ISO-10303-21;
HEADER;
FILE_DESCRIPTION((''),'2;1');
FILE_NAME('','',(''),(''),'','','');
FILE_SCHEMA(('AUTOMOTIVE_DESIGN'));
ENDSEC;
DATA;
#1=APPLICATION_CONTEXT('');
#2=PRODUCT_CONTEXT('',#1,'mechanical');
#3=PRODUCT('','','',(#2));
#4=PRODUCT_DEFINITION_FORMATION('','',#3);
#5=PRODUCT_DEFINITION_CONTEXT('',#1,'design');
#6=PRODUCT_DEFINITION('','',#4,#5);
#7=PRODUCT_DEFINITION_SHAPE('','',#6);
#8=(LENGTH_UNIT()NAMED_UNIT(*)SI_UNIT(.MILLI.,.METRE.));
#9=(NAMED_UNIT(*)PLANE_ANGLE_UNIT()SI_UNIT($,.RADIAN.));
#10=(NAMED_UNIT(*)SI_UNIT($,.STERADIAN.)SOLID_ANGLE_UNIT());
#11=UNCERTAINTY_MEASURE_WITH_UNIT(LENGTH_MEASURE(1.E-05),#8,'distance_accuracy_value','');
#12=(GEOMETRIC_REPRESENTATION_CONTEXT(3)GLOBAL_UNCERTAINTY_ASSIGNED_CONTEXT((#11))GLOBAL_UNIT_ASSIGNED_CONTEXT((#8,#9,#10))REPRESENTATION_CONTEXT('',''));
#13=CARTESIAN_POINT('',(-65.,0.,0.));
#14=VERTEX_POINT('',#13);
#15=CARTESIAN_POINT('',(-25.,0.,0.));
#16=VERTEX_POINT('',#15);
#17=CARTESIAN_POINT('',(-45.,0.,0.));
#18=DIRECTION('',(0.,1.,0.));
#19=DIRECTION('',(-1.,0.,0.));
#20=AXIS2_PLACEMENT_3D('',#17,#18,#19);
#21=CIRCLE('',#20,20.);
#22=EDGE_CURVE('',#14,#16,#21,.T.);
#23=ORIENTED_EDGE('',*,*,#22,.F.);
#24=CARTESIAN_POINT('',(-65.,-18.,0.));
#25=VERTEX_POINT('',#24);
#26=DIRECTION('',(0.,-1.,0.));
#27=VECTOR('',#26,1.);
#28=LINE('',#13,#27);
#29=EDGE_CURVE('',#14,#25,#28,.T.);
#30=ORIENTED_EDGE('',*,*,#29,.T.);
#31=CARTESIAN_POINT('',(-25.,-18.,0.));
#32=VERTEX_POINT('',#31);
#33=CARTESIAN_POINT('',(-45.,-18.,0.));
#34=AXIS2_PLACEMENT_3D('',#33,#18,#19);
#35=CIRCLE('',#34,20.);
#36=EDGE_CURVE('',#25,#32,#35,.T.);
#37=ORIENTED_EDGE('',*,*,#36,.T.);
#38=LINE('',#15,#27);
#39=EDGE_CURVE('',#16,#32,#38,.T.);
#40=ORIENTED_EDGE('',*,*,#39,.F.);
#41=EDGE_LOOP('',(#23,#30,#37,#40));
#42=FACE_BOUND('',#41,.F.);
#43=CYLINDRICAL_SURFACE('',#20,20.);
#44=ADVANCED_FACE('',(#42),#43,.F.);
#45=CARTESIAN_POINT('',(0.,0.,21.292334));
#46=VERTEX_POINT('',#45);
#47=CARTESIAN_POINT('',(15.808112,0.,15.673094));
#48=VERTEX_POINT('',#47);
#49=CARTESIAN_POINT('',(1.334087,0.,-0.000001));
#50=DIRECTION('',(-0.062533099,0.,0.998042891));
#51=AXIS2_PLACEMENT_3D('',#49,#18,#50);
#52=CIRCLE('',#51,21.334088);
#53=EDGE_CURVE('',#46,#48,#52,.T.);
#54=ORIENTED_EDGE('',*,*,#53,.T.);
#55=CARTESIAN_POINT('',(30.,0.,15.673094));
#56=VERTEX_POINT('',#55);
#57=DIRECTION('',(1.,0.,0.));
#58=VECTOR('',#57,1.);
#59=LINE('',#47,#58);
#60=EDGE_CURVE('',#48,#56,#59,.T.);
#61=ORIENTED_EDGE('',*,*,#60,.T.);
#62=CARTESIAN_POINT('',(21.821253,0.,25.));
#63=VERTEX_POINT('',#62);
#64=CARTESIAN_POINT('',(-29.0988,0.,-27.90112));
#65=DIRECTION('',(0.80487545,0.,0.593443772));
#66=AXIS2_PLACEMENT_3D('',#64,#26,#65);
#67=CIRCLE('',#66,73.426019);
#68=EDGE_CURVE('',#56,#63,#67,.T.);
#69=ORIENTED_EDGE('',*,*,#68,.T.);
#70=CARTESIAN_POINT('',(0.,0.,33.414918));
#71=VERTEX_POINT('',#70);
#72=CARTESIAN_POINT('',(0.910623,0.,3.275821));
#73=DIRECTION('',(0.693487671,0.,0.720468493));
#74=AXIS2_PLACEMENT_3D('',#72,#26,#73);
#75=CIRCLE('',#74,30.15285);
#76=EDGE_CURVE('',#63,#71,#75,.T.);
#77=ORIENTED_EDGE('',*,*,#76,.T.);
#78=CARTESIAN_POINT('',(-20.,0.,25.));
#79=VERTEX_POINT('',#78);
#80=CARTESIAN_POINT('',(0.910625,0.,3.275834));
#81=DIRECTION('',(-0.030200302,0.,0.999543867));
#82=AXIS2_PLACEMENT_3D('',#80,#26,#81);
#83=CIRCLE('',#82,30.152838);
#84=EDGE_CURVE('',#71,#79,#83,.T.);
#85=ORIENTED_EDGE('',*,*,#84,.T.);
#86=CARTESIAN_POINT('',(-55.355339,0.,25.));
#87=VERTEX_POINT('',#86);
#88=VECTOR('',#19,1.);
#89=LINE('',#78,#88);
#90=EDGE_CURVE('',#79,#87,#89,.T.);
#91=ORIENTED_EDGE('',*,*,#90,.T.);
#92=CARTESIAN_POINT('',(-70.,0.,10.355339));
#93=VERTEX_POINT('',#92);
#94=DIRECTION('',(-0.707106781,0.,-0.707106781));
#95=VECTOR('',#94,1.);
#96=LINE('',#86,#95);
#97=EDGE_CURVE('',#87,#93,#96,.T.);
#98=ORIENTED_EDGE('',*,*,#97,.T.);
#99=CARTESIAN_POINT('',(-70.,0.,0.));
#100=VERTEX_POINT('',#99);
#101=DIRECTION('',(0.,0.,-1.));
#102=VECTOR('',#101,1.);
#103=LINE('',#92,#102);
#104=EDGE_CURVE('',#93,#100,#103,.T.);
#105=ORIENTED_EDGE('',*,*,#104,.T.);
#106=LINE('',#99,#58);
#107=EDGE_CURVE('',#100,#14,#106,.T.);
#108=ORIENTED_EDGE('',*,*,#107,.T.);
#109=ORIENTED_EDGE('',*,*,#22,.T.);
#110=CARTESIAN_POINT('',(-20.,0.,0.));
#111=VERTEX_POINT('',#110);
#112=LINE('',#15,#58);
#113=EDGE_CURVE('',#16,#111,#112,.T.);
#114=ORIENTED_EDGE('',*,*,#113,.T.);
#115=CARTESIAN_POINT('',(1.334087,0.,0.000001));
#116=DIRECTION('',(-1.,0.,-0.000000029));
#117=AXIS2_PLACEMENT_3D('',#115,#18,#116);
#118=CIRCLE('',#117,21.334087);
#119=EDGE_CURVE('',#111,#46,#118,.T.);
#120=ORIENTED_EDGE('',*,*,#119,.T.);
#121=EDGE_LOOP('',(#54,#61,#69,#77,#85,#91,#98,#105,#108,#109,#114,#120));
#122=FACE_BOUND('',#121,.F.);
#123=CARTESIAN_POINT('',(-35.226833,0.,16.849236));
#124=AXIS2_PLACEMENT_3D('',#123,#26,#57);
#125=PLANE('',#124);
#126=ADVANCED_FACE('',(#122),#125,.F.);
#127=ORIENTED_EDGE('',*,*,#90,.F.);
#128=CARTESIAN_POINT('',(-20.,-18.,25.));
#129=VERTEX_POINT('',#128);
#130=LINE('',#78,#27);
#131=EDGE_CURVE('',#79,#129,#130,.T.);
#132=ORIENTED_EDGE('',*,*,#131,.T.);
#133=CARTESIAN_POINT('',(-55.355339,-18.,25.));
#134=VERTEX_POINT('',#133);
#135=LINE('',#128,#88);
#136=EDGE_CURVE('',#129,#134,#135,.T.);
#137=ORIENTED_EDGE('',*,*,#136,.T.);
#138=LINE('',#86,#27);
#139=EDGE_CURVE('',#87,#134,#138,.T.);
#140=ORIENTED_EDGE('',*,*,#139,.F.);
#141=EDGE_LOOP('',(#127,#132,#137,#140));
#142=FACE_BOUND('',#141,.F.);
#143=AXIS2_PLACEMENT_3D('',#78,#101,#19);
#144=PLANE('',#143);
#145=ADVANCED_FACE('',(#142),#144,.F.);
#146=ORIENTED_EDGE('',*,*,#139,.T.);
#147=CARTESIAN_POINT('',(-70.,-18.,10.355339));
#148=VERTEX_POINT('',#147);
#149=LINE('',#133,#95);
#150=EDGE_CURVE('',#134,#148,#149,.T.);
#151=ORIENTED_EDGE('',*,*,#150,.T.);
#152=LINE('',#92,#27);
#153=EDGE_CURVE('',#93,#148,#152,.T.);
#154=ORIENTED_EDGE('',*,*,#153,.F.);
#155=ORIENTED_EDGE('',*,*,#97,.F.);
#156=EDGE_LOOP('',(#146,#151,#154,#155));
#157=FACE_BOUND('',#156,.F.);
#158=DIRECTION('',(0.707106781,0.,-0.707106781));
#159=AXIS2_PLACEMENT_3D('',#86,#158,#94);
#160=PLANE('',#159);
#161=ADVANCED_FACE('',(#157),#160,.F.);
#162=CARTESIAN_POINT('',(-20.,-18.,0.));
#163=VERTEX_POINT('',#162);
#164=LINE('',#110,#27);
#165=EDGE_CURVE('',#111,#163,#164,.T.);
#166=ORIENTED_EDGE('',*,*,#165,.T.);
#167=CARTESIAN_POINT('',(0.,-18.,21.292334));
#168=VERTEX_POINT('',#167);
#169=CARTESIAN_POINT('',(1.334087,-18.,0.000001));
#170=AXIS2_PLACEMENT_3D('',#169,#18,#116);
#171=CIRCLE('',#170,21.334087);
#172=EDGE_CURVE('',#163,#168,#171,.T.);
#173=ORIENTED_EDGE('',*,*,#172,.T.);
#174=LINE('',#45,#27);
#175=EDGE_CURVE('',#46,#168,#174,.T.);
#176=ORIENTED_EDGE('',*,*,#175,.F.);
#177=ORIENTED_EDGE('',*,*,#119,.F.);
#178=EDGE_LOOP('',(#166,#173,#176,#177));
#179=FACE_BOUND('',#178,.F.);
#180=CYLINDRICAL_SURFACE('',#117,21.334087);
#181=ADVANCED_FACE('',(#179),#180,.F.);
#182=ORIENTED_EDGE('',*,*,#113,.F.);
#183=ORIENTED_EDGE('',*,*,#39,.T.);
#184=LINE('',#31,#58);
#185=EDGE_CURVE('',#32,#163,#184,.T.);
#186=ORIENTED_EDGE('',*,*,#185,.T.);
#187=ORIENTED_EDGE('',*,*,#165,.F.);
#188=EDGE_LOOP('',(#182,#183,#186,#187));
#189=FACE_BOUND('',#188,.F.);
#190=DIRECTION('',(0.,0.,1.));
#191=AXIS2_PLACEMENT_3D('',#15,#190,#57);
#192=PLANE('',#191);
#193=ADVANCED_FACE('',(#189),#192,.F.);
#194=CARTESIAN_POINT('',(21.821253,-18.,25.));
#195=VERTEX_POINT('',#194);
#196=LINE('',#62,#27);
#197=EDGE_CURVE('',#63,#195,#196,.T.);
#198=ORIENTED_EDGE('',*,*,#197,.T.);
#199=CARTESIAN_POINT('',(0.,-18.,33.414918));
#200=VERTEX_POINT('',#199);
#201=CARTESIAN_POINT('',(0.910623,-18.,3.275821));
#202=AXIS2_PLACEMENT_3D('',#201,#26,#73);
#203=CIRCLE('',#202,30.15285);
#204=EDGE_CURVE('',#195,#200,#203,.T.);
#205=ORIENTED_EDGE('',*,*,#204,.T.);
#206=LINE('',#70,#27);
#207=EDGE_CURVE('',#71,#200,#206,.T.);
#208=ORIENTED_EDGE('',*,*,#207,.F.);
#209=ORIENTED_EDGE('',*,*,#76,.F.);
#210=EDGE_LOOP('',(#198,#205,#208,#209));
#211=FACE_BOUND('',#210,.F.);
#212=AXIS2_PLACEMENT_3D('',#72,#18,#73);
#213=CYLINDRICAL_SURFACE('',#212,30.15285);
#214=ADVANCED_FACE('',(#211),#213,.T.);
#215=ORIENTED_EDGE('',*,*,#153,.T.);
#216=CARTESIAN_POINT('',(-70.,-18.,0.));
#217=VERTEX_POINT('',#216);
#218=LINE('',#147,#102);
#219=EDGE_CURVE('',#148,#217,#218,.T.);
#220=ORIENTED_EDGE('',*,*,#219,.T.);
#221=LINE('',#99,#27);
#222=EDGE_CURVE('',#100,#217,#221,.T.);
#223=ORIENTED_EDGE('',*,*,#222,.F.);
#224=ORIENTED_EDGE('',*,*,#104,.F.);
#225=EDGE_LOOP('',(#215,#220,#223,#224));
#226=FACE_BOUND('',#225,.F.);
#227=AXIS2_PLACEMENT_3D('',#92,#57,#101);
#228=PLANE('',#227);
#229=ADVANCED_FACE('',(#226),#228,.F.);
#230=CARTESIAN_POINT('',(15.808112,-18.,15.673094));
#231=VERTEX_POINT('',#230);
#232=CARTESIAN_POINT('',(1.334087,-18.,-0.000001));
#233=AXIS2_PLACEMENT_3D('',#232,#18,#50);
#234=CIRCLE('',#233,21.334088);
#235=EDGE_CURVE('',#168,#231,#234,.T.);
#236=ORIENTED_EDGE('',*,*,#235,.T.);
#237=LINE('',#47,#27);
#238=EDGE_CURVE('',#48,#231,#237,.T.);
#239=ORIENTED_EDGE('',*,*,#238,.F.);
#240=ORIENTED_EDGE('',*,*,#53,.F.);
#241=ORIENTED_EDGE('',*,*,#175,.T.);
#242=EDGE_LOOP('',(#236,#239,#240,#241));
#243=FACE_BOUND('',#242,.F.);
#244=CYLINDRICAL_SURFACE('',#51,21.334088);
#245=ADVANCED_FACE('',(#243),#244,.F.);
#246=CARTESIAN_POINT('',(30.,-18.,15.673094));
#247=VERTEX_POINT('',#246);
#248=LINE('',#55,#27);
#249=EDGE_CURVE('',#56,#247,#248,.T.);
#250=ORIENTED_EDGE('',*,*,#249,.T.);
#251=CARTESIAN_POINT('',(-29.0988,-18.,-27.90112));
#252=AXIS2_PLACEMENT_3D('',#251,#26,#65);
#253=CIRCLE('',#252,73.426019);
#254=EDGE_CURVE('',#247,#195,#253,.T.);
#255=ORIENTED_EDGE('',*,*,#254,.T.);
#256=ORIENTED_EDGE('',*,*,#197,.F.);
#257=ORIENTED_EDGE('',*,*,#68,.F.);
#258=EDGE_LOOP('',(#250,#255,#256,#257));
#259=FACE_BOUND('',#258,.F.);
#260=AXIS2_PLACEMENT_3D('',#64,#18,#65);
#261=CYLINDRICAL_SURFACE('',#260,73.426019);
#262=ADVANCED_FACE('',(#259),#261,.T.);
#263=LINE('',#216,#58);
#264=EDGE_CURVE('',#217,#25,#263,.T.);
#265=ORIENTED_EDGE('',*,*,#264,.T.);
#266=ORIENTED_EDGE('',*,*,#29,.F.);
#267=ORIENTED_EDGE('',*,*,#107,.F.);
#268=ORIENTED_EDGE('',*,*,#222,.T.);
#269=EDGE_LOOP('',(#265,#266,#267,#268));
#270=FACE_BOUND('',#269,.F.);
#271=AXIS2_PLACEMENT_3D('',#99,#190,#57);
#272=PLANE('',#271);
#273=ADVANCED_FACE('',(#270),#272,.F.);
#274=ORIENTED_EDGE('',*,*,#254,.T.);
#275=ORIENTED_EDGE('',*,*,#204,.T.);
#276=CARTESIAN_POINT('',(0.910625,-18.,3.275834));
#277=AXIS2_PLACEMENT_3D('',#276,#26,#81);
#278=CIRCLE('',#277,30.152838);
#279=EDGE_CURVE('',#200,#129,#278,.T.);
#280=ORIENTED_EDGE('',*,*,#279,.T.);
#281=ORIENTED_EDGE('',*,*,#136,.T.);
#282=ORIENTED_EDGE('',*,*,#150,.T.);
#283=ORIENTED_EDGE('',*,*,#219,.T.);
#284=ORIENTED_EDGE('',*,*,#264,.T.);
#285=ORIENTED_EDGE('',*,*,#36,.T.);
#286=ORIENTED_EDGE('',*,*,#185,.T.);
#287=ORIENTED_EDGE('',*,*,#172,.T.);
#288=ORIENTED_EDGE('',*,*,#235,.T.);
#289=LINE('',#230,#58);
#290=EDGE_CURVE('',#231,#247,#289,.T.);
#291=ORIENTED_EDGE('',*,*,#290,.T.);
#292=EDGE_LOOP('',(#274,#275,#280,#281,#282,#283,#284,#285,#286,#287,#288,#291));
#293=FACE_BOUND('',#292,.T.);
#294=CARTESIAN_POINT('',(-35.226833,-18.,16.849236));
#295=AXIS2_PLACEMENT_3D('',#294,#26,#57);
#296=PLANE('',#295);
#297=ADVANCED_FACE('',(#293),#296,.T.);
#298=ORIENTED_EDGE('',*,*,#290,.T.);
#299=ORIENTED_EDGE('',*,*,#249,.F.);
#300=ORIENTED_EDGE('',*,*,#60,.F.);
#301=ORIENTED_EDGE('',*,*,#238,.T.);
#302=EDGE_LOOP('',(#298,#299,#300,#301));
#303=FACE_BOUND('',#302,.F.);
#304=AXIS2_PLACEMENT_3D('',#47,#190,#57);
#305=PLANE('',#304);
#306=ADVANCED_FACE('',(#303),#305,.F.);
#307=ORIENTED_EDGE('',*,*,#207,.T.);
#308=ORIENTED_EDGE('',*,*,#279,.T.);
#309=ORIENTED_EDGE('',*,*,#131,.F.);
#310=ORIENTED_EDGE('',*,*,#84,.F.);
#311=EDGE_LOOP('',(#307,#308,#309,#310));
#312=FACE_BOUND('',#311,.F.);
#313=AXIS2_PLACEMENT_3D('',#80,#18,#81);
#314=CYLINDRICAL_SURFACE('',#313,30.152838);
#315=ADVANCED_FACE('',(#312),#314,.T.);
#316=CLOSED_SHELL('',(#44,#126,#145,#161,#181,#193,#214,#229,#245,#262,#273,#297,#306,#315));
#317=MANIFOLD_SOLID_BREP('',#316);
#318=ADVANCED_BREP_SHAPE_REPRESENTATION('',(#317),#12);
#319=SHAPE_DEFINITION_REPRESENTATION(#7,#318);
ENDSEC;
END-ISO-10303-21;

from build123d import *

# Parameters (mm, degrees)
F1_DEPTH = 18


with BuildPart() as f1:
    # F0 (on Front) → F1 (new body)
    with BuildSketch(Plane.XZ):
        with BuildLine():
            ThreePointArc((-65, 0), (-45, 20), (-25, 0))
            Line((-25, 0), (-20, 0))
            ThreePointArc((-20, 0), (-14.21591, 14.606193), (0, 21.292334))
            Line((0, 21.292334), (0, 33.414918))
            ThreePointArc((0, 33.414918), (-10.783153, 31.068804), (-20, 25))
            Line((-20, 25), (-45, 25))
            Line((-45, 25), (-55.355339, 25))
            Line((-55.355339, 25), (-70, 10.355339))
            Line((-70, 10.355339), (-70, 0))
            Line((-70, 0), (-65, 0))
        make_face()
        with BuildLine():
            Line((0, 33.414918), (0, 21.292334))
            ThreePointArc((0, 21.292334), (8.479607, 20.101861), (15.808112, 15.673094))
            Line((15.808112, 15.673094), (30, 15.673094))
            ThreePointArc((30, 15.673094), (26.107946, 20.509576), (21.821253, 25))
            ThreePointArc((21.821253, 25), (11.759714, 31.409282), (0, 33.414918))
        make_face()
    extrude(amount=F1_DEPTH)


solid = f1.part
